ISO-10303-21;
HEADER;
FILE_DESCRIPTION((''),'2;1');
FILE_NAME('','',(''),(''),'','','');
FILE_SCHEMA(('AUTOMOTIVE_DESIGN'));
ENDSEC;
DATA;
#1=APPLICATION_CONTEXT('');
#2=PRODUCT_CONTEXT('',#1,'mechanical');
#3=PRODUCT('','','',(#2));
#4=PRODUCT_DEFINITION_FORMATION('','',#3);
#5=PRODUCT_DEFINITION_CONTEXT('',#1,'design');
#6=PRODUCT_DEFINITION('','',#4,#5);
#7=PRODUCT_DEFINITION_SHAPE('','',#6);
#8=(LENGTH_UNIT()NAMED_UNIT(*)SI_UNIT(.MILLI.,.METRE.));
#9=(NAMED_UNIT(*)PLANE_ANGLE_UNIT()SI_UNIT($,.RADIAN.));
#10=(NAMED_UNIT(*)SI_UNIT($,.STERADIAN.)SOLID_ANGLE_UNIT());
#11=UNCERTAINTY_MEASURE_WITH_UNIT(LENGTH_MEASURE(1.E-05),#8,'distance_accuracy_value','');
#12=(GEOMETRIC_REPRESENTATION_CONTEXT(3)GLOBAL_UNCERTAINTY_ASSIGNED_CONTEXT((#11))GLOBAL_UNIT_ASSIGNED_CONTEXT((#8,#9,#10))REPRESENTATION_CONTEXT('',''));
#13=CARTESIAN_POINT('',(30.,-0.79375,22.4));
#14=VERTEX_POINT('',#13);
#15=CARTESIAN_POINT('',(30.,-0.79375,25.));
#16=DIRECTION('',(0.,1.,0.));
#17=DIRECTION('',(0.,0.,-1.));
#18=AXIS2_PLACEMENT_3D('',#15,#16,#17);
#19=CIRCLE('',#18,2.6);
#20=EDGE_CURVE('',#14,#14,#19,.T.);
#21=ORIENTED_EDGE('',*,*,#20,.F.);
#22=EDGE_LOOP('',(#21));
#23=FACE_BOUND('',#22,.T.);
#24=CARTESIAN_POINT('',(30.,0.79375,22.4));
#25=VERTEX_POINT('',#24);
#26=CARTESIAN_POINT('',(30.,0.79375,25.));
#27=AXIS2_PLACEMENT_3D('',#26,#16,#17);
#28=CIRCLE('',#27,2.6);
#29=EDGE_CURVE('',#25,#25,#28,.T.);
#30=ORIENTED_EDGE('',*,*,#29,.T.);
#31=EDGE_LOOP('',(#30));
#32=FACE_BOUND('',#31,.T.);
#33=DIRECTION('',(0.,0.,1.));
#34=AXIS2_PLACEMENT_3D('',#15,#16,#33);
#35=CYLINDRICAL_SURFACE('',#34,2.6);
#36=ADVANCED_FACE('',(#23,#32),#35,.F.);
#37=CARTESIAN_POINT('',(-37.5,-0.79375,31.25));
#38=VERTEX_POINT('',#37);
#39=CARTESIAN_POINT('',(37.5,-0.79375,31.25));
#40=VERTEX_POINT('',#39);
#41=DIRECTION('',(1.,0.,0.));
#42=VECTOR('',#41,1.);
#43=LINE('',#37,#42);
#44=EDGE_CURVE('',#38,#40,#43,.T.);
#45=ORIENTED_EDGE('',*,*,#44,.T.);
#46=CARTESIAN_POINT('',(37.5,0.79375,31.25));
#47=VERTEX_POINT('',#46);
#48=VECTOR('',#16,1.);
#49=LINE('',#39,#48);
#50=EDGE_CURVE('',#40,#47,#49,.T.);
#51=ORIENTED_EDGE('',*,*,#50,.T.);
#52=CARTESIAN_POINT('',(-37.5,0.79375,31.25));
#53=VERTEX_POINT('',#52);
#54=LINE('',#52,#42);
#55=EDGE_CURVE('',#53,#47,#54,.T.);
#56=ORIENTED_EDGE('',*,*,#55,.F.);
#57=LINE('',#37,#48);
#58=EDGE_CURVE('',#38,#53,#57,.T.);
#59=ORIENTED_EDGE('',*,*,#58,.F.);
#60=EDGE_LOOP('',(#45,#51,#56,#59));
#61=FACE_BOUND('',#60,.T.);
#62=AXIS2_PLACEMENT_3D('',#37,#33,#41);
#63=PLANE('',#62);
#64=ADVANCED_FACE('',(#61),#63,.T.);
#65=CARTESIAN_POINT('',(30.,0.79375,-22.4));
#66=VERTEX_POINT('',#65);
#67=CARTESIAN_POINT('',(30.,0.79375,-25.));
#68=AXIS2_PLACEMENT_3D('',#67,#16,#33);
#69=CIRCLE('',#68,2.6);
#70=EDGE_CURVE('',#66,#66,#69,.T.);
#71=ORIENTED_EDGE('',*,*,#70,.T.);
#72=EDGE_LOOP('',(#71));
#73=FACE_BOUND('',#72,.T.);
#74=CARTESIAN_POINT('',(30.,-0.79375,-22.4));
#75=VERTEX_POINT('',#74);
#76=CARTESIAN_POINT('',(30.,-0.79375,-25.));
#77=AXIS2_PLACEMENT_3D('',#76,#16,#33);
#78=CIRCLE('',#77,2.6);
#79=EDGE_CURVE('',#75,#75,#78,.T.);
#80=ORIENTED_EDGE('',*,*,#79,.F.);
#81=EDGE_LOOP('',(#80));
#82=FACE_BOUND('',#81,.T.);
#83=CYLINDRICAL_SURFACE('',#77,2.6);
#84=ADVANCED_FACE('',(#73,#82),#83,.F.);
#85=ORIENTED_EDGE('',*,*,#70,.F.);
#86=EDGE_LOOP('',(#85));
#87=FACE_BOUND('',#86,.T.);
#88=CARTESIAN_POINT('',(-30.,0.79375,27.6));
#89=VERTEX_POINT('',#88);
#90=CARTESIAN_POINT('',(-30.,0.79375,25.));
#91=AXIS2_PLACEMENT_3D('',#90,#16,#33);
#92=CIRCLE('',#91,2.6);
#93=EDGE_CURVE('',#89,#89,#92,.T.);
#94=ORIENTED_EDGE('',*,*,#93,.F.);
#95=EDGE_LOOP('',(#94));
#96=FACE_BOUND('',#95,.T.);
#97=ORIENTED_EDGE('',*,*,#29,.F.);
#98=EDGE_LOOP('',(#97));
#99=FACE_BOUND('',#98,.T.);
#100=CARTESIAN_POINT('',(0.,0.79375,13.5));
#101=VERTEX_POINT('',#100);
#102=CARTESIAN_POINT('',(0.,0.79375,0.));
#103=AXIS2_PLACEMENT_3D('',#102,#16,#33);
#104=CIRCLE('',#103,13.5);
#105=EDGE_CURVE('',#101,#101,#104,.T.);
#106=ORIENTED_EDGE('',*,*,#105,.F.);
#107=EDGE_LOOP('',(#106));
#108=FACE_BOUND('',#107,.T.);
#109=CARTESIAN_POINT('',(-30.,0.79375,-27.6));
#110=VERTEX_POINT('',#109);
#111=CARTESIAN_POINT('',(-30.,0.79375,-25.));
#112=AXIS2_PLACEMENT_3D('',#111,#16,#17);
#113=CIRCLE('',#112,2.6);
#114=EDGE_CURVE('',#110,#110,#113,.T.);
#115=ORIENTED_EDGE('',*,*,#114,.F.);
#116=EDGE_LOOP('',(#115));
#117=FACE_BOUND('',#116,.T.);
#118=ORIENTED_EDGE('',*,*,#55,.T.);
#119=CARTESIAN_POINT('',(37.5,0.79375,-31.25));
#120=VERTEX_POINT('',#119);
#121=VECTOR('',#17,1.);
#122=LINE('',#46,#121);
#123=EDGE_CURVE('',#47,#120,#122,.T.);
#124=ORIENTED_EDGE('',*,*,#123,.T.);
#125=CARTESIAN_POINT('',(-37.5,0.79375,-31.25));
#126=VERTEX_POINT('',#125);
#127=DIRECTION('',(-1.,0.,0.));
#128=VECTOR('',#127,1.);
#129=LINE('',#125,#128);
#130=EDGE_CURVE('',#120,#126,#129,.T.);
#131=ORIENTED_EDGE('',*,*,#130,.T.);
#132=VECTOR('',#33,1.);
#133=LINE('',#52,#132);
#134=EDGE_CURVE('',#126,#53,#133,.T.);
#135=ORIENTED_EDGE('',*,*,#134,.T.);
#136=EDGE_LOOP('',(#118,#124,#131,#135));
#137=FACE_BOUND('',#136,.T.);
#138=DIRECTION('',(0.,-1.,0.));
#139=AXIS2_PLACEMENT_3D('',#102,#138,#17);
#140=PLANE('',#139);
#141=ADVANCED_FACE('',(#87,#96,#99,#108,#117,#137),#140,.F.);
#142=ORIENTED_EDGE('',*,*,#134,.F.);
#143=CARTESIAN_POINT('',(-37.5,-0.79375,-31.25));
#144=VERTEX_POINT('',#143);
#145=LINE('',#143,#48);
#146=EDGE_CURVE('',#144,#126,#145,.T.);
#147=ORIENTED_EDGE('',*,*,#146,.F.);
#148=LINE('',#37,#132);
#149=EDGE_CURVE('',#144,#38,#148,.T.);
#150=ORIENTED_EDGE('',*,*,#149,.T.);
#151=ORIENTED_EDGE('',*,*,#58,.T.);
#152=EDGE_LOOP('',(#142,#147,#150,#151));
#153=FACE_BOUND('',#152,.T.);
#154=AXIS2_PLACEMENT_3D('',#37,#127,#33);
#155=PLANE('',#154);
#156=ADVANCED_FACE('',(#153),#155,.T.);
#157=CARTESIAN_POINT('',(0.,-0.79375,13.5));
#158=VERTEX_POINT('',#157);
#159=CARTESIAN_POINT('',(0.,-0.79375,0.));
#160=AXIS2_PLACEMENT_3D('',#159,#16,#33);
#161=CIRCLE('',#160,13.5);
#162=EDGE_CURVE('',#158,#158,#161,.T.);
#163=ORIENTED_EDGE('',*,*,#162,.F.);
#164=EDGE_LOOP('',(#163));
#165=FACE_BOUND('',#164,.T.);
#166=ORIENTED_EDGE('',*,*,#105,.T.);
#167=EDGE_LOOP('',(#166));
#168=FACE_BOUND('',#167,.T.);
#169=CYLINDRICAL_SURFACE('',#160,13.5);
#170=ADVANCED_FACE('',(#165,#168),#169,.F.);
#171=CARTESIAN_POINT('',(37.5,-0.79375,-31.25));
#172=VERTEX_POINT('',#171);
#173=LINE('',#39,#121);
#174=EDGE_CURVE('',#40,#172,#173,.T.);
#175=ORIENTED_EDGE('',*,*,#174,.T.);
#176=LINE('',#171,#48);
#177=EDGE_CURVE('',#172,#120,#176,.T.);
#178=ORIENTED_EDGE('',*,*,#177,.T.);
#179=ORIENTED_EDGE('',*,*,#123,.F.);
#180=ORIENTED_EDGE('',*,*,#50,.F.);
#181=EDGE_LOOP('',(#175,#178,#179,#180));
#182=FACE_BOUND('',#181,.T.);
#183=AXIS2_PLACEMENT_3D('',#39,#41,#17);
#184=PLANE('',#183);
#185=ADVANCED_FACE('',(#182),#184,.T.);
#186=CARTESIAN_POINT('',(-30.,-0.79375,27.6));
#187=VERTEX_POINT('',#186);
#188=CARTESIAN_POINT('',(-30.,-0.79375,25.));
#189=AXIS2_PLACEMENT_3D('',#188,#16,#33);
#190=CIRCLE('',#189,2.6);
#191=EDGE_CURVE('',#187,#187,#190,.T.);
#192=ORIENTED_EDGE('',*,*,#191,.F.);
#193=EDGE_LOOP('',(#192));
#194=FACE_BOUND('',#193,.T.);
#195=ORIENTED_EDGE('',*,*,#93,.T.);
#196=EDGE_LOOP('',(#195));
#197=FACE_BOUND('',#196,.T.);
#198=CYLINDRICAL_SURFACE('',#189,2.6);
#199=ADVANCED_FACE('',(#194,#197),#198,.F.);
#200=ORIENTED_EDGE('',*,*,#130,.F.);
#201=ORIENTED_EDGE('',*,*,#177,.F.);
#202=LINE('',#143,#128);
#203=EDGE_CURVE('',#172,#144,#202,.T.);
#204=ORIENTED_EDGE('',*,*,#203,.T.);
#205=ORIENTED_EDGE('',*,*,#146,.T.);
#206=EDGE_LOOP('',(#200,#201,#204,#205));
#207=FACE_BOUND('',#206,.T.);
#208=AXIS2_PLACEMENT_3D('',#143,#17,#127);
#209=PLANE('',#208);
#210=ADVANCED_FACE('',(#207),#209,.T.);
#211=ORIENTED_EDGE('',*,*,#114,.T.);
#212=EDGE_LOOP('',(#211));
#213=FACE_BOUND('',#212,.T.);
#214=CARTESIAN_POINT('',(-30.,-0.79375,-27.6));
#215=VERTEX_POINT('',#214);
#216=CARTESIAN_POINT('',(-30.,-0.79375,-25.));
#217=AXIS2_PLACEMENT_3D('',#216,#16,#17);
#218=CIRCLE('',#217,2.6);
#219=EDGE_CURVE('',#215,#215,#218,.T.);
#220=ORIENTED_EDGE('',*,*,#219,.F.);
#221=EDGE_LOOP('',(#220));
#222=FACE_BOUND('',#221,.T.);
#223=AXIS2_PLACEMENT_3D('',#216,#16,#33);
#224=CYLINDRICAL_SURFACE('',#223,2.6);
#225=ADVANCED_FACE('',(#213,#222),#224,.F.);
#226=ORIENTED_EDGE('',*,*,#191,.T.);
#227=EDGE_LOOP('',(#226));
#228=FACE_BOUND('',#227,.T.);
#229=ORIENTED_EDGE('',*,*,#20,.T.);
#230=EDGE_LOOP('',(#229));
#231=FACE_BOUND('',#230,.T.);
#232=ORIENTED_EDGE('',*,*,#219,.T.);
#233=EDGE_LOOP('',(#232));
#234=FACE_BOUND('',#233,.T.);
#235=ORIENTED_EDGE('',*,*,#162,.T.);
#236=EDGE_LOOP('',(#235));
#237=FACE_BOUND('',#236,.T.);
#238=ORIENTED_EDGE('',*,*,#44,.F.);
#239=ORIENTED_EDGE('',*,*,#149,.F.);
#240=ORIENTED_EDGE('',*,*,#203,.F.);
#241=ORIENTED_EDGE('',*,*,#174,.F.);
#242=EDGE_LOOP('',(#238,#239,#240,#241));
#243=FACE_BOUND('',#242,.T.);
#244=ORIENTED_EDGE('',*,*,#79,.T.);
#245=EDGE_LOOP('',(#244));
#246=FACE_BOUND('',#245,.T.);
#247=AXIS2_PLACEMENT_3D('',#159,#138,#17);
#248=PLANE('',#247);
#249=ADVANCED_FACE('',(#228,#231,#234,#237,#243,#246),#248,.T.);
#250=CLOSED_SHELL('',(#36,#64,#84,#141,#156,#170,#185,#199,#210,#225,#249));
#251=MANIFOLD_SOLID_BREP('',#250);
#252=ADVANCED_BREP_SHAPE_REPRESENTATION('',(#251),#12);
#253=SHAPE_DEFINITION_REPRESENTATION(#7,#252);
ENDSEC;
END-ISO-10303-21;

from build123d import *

# Parameters (mm, degrees)
BOSS_EXTRUDE1_DEPTH      = 0.79375
BOSS_EXTRUDE1_DEPTH_BACK = 0.79375
SKETCH1_W                = 75
SKETCH1_H                = 62.5
SKETCH1_R                = 13.5
SKETCH1_R_2              = 2.6


with BuildPart() as part:
    # Sketch1 → Boss-Extrude1 (new, two sides: drawn at the far end of the back side and taken through both)
    with BuildSketch(Plane(origin=(0, 0, 0), x_dir=(1, 0, 0), z_dir=(0, 1, 0)).offset(-BOSS_EXTRUDE1_DEPTH_BACK)):
        Rectangle(SKETCH1_W, SKETCH1_H)
        Circle(SKETCH1_R, mode=Mode.SUBTRACT)
        with Locations((30, 25)):
            Circle(SKETCH1_R_2, mode=Mode.SUBTRACT)
        with Locations((-30, 25)):
            Circle(SKETCH1_R_2, mode=Mode.SUBTRACT)
        with Locations((30, -25)):
            Circle(SKETCH1_R_2, mode=Mode.SUBTRACT)
        with Locations((-30, -25)):
            Circle(SKETCH1_R_2, mode=Mode.SUBTRACT)
    extrude(amount=BOSS_EXTRUDE1_DEPTH + BOSS_EXTRUDE1_DEPTH_BACK)


solid = part.part
